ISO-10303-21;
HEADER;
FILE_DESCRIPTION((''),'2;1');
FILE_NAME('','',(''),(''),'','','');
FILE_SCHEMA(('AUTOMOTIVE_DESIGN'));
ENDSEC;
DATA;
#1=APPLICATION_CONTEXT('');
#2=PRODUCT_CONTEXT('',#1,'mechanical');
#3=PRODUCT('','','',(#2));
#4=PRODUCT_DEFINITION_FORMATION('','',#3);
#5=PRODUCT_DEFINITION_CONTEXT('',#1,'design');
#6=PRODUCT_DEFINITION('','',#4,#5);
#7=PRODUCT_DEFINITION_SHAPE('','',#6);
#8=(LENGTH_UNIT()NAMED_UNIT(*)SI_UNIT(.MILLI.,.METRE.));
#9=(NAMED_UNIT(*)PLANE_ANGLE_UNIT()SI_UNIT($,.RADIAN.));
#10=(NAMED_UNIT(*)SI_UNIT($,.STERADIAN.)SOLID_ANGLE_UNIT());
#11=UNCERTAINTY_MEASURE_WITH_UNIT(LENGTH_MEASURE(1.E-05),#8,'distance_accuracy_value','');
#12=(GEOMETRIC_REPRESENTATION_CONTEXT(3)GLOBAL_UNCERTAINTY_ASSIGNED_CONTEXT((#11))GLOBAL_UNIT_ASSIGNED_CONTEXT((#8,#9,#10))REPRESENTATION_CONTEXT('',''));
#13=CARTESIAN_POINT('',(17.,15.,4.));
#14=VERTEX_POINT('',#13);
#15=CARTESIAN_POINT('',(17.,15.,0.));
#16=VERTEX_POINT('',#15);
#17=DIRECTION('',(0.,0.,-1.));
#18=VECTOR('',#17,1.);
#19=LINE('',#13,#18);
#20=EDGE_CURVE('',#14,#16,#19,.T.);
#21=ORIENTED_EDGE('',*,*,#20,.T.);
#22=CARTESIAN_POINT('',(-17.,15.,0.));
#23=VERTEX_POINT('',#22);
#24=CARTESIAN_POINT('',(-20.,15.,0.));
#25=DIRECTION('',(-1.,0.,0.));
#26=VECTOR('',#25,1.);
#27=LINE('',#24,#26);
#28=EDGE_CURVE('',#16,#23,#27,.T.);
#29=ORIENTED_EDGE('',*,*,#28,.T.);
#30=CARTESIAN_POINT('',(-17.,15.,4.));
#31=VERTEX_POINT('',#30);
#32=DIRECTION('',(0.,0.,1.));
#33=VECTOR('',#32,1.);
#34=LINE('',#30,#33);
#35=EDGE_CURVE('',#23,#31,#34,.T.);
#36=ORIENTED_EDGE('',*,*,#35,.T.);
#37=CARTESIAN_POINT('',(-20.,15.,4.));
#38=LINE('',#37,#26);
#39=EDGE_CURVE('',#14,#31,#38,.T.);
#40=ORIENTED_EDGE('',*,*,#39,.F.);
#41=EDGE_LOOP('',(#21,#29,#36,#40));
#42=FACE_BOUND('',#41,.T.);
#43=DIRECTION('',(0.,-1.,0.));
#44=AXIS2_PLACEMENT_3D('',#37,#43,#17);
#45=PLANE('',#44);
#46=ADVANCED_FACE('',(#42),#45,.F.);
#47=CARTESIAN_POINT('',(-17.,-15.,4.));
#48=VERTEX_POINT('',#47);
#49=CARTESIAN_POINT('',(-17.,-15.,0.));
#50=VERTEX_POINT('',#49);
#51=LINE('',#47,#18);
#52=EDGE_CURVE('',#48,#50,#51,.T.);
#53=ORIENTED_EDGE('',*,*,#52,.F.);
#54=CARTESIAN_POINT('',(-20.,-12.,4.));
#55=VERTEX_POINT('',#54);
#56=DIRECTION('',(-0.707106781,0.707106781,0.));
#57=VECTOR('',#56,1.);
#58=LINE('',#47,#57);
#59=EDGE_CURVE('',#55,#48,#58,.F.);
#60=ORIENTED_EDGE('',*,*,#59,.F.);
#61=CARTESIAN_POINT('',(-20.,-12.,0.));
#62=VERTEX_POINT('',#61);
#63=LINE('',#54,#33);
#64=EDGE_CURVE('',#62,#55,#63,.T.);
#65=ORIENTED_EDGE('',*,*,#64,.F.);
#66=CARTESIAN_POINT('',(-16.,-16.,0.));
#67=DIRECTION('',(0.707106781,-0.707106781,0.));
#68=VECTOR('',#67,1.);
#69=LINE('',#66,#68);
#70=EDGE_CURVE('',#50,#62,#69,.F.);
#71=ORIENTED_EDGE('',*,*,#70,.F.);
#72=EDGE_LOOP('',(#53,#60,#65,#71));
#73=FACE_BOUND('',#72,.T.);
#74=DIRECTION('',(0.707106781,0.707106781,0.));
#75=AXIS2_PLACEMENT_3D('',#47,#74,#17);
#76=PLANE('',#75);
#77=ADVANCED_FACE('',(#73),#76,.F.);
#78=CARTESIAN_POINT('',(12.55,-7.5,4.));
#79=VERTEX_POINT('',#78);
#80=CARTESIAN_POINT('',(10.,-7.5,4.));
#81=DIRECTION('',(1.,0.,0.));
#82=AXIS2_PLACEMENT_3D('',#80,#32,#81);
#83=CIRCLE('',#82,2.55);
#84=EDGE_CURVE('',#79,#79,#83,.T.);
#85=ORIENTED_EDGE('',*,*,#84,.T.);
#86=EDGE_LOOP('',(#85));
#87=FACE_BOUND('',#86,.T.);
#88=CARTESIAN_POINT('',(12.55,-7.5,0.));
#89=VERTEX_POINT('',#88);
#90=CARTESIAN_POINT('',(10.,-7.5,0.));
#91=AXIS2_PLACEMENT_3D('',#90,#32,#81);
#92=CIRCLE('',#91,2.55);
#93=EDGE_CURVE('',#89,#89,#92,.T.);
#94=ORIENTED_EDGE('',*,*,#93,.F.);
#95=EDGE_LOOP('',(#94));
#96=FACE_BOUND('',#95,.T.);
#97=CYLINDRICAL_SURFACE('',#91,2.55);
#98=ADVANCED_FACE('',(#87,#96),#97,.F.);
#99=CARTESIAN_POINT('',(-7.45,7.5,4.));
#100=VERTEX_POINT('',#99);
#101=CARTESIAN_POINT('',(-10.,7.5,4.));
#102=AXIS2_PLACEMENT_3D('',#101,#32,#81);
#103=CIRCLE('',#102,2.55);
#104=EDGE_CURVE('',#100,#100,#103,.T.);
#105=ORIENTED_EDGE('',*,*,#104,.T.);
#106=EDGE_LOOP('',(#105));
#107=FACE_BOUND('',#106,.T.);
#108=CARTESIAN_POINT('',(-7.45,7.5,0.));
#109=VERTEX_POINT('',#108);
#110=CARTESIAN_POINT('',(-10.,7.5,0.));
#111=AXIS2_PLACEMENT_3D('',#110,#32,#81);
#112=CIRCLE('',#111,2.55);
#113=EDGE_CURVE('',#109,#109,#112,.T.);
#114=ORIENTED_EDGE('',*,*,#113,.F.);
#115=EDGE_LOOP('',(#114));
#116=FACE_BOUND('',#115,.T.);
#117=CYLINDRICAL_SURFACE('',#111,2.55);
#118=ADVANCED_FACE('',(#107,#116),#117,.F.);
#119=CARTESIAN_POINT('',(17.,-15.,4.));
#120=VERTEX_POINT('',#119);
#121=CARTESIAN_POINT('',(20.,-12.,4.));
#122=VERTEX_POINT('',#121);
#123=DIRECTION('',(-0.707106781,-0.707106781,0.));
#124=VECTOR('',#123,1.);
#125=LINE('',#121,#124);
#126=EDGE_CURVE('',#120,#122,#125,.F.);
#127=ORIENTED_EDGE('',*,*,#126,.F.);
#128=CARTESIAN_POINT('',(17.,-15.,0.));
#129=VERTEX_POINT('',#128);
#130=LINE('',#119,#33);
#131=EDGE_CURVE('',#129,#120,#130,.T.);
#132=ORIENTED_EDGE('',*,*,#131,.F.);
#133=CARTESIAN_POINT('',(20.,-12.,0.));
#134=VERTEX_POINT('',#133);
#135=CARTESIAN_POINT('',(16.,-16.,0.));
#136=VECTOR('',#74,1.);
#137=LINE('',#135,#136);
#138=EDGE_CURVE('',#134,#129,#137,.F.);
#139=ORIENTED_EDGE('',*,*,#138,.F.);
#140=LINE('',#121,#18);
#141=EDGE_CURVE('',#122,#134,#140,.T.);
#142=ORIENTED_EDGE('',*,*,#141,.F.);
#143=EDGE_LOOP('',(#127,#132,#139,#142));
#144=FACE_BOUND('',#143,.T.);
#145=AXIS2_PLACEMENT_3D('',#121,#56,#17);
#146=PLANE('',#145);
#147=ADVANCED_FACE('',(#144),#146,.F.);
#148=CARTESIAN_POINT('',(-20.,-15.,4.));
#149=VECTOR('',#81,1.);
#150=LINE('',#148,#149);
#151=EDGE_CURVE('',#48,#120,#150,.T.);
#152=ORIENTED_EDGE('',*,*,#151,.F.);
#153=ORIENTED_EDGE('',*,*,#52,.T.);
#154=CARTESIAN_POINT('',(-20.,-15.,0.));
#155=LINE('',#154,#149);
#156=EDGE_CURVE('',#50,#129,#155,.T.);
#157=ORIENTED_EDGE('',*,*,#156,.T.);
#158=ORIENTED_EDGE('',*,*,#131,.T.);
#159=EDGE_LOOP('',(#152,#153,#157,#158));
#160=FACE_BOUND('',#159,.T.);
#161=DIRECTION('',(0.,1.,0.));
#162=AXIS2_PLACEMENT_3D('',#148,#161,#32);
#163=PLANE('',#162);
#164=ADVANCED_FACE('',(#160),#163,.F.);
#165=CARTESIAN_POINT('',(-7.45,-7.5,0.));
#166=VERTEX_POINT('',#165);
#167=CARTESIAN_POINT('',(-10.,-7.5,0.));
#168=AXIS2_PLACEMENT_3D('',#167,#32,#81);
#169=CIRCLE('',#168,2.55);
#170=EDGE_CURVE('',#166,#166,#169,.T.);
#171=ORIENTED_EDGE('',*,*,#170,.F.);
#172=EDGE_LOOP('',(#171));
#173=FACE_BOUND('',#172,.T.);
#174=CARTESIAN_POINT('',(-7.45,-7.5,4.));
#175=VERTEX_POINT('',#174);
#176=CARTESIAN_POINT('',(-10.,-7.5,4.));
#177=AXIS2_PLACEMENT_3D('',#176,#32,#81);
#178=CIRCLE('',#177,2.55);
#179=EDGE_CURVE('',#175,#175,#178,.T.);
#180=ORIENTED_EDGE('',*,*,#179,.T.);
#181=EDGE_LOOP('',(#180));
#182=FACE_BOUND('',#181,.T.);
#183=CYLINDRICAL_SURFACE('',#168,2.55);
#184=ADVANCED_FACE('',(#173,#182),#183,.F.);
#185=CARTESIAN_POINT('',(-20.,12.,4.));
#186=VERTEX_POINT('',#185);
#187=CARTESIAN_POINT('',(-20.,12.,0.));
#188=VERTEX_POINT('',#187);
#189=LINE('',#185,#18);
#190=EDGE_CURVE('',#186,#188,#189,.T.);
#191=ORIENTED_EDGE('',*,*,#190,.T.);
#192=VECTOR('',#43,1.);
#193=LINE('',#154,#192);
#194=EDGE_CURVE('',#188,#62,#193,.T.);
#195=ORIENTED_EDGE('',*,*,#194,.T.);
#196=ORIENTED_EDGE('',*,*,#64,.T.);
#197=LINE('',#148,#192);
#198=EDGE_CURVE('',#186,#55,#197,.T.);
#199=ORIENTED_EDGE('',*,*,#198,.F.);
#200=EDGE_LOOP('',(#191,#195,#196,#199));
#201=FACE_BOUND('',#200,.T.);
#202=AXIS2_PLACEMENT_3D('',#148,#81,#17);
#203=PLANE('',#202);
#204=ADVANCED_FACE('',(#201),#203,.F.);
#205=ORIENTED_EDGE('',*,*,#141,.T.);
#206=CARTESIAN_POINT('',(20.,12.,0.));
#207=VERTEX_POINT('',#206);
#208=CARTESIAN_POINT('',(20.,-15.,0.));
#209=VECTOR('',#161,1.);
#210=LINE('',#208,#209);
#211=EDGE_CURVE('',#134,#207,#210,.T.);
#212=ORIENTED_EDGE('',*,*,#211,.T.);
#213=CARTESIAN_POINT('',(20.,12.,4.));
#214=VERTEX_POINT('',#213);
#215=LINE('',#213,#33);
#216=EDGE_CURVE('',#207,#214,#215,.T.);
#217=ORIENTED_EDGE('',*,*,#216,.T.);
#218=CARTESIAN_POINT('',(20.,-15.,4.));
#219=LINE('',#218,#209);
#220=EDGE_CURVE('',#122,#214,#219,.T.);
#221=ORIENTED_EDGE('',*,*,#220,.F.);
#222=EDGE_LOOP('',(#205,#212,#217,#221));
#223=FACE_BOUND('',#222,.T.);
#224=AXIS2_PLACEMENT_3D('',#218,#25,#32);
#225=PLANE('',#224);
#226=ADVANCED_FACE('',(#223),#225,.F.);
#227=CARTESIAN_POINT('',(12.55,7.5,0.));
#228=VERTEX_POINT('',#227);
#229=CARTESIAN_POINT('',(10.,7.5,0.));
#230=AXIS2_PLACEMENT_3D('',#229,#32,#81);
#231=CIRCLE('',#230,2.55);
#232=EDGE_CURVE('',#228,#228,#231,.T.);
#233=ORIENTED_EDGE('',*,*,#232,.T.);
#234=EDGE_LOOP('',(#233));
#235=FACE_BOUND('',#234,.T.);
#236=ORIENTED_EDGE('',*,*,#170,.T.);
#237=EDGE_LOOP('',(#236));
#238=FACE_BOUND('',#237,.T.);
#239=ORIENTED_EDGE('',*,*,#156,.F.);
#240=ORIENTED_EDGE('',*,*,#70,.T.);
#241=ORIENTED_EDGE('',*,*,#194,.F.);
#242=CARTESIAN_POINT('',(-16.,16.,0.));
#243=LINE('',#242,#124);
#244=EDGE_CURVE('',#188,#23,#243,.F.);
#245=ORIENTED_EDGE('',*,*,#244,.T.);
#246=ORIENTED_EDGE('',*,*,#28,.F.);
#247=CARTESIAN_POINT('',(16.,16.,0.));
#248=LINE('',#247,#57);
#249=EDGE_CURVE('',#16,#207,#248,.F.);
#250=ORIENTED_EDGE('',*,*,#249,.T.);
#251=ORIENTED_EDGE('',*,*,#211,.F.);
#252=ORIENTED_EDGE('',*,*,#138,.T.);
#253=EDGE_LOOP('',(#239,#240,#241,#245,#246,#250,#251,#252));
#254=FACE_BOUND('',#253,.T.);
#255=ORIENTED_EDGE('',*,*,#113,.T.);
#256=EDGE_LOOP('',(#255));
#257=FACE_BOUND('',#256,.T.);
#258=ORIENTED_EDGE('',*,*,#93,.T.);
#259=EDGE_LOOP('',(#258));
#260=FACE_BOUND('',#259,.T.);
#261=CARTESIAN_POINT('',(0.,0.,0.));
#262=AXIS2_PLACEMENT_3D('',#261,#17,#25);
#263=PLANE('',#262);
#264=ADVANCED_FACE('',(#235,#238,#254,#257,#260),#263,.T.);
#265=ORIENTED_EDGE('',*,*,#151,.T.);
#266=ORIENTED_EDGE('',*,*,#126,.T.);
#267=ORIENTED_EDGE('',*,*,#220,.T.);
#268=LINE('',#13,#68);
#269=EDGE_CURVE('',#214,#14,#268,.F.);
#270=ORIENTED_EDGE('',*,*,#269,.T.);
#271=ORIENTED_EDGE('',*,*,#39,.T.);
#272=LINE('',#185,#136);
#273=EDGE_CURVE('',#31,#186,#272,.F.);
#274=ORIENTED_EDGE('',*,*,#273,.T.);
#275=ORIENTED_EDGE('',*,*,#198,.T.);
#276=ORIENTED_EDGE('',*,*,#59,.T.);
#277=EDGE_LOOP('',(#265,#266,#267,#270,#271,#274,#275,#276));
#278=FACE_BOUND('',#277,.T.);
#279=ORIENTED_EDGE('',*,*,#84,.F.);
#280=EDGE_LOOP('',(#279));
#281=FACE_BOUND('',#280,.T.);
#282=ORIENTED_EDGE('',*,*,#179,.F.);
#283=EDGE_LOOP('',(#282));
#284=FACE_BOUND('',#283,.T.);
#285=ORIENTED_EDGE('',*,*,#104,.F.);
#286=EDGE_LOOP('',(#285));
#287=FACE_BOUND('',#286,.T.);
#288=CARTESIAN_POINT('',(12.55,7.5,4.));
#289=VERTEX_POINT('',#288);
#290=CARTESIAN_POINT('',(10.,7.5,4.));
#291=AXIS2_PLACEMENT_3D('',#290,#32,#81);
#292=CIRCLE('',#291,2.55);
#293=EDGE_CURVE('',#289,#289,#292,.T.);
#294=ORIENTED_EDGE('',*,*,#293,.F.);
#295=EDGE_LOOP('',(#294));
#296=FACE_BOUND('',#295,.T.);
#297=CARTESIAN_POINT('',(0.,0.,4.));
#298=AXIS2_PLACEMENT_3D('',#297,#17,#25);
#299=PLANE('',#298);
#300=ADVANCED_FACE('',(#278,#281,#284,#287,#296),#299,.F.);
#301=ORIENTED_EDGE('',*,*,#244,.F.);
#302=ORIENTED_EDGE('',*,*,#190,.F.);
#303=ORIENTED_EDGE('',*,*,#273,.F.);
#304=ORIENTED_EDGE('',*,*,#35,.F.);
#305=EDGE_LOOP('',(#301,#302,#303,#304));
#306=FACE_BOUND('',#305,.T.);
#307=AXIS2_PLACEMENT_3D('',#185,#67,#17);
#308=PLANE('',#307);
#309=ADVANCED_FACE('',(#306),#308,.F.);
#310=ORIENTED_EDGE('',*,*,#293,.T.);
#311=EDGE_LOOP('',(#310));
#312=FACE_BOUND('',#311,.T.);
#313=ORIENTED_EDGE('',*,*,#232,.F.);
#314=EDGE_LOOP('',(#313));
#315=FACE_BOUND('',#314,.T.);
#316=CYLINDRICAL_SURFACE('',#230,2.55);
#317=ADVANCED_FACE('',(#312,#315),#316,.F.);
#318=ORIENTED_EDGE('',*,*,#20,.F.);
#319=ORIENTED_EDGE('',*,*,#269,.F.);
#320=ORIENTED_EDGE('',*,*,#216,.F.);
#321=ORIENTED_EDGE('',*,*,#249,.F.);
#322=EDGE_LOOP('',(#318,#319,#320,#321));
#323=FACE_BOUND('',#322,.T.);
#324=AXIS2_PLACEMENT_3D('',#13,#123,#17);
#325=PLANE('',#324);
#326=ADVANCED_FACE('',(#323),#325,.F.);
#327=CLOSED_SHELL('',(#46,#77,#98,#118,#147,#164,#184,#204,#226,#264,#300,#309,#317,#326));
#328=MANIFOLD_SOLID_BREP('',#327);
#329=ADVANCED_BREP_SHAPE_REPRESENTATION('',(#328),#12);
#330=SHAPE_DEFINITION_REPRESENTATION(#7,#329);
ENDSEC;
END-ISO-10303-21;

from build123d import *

# Parameters (mm, degrees)
SKETCH1_W           = 40
SKETCH1_H           = 30
BOSS_EXTRUDE1_DEPTH = 4
SKETCH3_R           = 2.55
CUT_EXTRUDE2_DEPTH  = 26.317977802
CHAMFER1_SIZE       = 3
LPATTERN1_COUNT     = 2
LPATTERN1_PITCH     = 20


with BuildPart() as part:
    # Sketch1 → Boss-Extrude1 (new body)
    with BuildSketch(Plane.XY):
        Rectangle(SKETCH1_W, SKETCH1_H)
    extrude(amount=BOSS_EXTRUDE1_DEPTH)

    # Sketch3 → Cut-Extrude2 (cut, through all)
    with BuildSketch(Plane.XY.offset(4)):
        with Locations((10, 7.5)):
            Circle(SKETCH3_R)
        with Locations((10, -7.5)):
            Circle(SKETCH3_R)
    cut_extrude2 = extrude(amount=-CUT_EXTRUDE2_DEPTH, mode=Mode.SUBTRACT)

    # Chamfer1
    chamfer1_edges = [part.edges().sort_by_distance(p)[0] for p in [
        (20, -15, 2),
        (-20, -15, 2),
        (-20, 15, 2),
        (20, 15, 2),
    ]]
    chamfer(chamfer1_edges, length=CHAMFER1_SIZE)

    # LPattern1: Cut-Extrude2 ×2
    with Locations(*[(-i * LPATTERN1_PITCH, 0, 0) for i in range(1, LPATTERN1_COUNT)]):
        add(cut_extrude2, mode=Mode.SUBTRACT)


solid = part.part
